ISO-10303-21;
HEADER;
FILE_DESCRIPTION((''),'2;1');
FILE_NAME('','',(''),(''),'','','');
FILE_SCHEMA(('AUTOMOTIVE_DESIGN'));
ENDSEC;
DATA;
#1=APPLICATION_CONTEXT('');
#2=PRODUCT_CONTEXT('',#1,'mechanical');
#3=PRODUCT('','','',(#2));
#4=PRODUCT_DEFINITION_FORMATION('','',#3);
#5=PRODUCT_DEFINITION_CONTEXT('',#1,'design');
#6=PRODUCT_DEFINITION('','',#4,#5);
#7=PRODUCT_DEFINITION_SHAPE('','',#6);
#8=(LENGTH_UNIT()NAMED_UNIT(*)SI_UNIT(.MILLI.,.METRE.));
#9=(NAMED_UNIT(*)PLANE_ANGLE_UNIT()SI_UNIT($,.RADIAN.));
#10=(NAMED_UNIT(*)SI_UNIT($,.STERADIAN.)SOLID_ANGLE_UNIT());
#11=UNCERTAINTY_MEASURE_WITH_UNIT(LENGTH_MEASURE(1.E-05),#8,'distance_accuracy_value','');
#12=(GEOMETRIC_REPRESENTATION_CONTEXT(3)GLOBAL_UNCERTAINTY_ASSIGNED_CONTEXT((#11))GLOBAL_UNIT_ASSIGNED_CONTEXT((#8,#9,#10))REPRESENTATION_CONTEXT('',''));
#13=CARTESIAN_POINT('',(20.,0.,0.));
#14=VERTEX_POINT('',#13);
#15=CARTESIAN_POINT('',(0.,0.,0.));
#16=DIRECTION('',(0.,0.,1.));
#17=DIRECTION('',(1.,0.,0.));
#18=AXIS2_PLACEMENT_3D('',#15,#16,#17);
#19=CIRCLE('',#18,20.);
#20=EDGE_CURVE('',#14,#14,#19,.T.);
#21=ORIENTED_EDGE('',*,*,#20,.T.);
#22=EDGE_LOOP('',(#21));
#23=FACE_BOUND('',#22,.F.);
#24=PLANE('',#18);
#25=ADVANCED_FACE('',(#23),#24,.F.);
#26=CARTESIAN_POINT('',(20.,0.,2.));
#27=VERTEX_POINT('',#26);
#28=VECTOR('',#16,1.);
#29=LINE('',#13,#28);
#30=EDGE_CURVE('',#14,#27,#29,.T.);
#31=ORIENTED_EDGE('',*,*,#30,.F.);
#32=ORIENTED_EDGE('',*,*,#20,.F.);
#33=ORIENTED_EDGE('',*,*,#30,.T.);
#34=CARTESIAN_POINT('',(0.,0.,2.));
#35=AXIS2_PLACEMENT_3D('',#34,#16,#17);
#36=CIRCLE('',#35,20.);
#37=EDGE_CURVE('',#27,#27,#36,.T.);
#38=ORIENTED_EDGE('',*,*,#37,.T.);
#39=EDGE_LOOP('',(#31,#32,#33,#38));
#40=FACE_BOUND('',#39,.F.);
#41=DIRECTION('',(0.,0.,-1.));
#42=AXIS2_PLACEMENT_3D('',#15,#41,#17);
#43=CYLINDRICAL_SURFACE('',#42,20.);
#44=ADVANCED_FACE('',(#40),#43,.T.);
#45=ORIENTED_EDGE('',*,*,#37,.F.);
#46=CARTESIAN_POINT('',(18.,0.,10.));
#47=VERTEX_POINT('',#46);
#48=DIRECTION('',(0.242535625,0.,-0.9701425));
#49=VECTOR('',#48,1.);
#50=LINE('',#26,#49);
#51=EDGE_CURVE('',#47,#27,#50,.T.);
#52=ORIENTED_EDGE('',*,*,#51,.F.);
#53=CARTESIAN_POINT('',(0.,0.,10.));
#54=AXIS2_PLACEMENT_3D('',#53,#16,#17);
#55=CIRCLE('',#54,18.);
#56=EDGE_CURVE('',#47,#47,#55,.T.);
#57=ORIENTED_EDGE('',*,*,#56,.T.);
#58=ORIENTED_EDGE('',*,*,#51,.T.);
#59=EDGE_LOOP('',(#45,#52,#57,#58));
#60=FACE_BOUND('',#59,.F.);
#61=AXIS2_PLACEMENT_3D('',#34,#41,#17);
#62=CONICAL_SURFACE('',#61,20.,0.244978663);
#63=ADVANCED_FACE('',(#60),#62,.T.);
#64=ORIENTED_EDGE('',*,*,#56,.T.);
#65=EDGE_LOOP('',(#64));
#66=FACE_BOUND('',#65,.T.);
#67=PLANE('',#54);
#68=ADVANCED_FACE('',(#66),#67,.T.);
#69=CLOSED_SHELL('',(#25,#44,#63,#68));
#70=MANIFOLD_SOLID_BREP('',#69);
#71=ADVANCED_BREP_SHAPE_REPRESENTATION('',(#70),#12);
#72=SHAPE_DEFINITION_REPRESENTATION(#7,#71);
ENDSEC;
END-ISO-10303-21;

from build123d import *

# Parameters (mm, degrees)
F0_R     = 20
F1_DEPTH = 10
F2_SIZE2 = 8
F2_SIZE  = 2


with BuildPart() as f1:
    # F0 (on Top) → F1 (new body)
    with BuildSketch(Plane.XY):
        Circle(F0_R)
    extrude(amount=F1_DEPTH)

    # F2
    f2_edges = [f1.edges().sort_by_distance(p)[0] for p in [
        (-20, 0, 10),
    ]]
    f2_side = f1.faces().sort_by_distance((0, 0, 10))[0]
    chamfer(f2_edges, length=F2_SIZE, length2=F2_SIZE2, reference=f2_side)


solid = f1.part
